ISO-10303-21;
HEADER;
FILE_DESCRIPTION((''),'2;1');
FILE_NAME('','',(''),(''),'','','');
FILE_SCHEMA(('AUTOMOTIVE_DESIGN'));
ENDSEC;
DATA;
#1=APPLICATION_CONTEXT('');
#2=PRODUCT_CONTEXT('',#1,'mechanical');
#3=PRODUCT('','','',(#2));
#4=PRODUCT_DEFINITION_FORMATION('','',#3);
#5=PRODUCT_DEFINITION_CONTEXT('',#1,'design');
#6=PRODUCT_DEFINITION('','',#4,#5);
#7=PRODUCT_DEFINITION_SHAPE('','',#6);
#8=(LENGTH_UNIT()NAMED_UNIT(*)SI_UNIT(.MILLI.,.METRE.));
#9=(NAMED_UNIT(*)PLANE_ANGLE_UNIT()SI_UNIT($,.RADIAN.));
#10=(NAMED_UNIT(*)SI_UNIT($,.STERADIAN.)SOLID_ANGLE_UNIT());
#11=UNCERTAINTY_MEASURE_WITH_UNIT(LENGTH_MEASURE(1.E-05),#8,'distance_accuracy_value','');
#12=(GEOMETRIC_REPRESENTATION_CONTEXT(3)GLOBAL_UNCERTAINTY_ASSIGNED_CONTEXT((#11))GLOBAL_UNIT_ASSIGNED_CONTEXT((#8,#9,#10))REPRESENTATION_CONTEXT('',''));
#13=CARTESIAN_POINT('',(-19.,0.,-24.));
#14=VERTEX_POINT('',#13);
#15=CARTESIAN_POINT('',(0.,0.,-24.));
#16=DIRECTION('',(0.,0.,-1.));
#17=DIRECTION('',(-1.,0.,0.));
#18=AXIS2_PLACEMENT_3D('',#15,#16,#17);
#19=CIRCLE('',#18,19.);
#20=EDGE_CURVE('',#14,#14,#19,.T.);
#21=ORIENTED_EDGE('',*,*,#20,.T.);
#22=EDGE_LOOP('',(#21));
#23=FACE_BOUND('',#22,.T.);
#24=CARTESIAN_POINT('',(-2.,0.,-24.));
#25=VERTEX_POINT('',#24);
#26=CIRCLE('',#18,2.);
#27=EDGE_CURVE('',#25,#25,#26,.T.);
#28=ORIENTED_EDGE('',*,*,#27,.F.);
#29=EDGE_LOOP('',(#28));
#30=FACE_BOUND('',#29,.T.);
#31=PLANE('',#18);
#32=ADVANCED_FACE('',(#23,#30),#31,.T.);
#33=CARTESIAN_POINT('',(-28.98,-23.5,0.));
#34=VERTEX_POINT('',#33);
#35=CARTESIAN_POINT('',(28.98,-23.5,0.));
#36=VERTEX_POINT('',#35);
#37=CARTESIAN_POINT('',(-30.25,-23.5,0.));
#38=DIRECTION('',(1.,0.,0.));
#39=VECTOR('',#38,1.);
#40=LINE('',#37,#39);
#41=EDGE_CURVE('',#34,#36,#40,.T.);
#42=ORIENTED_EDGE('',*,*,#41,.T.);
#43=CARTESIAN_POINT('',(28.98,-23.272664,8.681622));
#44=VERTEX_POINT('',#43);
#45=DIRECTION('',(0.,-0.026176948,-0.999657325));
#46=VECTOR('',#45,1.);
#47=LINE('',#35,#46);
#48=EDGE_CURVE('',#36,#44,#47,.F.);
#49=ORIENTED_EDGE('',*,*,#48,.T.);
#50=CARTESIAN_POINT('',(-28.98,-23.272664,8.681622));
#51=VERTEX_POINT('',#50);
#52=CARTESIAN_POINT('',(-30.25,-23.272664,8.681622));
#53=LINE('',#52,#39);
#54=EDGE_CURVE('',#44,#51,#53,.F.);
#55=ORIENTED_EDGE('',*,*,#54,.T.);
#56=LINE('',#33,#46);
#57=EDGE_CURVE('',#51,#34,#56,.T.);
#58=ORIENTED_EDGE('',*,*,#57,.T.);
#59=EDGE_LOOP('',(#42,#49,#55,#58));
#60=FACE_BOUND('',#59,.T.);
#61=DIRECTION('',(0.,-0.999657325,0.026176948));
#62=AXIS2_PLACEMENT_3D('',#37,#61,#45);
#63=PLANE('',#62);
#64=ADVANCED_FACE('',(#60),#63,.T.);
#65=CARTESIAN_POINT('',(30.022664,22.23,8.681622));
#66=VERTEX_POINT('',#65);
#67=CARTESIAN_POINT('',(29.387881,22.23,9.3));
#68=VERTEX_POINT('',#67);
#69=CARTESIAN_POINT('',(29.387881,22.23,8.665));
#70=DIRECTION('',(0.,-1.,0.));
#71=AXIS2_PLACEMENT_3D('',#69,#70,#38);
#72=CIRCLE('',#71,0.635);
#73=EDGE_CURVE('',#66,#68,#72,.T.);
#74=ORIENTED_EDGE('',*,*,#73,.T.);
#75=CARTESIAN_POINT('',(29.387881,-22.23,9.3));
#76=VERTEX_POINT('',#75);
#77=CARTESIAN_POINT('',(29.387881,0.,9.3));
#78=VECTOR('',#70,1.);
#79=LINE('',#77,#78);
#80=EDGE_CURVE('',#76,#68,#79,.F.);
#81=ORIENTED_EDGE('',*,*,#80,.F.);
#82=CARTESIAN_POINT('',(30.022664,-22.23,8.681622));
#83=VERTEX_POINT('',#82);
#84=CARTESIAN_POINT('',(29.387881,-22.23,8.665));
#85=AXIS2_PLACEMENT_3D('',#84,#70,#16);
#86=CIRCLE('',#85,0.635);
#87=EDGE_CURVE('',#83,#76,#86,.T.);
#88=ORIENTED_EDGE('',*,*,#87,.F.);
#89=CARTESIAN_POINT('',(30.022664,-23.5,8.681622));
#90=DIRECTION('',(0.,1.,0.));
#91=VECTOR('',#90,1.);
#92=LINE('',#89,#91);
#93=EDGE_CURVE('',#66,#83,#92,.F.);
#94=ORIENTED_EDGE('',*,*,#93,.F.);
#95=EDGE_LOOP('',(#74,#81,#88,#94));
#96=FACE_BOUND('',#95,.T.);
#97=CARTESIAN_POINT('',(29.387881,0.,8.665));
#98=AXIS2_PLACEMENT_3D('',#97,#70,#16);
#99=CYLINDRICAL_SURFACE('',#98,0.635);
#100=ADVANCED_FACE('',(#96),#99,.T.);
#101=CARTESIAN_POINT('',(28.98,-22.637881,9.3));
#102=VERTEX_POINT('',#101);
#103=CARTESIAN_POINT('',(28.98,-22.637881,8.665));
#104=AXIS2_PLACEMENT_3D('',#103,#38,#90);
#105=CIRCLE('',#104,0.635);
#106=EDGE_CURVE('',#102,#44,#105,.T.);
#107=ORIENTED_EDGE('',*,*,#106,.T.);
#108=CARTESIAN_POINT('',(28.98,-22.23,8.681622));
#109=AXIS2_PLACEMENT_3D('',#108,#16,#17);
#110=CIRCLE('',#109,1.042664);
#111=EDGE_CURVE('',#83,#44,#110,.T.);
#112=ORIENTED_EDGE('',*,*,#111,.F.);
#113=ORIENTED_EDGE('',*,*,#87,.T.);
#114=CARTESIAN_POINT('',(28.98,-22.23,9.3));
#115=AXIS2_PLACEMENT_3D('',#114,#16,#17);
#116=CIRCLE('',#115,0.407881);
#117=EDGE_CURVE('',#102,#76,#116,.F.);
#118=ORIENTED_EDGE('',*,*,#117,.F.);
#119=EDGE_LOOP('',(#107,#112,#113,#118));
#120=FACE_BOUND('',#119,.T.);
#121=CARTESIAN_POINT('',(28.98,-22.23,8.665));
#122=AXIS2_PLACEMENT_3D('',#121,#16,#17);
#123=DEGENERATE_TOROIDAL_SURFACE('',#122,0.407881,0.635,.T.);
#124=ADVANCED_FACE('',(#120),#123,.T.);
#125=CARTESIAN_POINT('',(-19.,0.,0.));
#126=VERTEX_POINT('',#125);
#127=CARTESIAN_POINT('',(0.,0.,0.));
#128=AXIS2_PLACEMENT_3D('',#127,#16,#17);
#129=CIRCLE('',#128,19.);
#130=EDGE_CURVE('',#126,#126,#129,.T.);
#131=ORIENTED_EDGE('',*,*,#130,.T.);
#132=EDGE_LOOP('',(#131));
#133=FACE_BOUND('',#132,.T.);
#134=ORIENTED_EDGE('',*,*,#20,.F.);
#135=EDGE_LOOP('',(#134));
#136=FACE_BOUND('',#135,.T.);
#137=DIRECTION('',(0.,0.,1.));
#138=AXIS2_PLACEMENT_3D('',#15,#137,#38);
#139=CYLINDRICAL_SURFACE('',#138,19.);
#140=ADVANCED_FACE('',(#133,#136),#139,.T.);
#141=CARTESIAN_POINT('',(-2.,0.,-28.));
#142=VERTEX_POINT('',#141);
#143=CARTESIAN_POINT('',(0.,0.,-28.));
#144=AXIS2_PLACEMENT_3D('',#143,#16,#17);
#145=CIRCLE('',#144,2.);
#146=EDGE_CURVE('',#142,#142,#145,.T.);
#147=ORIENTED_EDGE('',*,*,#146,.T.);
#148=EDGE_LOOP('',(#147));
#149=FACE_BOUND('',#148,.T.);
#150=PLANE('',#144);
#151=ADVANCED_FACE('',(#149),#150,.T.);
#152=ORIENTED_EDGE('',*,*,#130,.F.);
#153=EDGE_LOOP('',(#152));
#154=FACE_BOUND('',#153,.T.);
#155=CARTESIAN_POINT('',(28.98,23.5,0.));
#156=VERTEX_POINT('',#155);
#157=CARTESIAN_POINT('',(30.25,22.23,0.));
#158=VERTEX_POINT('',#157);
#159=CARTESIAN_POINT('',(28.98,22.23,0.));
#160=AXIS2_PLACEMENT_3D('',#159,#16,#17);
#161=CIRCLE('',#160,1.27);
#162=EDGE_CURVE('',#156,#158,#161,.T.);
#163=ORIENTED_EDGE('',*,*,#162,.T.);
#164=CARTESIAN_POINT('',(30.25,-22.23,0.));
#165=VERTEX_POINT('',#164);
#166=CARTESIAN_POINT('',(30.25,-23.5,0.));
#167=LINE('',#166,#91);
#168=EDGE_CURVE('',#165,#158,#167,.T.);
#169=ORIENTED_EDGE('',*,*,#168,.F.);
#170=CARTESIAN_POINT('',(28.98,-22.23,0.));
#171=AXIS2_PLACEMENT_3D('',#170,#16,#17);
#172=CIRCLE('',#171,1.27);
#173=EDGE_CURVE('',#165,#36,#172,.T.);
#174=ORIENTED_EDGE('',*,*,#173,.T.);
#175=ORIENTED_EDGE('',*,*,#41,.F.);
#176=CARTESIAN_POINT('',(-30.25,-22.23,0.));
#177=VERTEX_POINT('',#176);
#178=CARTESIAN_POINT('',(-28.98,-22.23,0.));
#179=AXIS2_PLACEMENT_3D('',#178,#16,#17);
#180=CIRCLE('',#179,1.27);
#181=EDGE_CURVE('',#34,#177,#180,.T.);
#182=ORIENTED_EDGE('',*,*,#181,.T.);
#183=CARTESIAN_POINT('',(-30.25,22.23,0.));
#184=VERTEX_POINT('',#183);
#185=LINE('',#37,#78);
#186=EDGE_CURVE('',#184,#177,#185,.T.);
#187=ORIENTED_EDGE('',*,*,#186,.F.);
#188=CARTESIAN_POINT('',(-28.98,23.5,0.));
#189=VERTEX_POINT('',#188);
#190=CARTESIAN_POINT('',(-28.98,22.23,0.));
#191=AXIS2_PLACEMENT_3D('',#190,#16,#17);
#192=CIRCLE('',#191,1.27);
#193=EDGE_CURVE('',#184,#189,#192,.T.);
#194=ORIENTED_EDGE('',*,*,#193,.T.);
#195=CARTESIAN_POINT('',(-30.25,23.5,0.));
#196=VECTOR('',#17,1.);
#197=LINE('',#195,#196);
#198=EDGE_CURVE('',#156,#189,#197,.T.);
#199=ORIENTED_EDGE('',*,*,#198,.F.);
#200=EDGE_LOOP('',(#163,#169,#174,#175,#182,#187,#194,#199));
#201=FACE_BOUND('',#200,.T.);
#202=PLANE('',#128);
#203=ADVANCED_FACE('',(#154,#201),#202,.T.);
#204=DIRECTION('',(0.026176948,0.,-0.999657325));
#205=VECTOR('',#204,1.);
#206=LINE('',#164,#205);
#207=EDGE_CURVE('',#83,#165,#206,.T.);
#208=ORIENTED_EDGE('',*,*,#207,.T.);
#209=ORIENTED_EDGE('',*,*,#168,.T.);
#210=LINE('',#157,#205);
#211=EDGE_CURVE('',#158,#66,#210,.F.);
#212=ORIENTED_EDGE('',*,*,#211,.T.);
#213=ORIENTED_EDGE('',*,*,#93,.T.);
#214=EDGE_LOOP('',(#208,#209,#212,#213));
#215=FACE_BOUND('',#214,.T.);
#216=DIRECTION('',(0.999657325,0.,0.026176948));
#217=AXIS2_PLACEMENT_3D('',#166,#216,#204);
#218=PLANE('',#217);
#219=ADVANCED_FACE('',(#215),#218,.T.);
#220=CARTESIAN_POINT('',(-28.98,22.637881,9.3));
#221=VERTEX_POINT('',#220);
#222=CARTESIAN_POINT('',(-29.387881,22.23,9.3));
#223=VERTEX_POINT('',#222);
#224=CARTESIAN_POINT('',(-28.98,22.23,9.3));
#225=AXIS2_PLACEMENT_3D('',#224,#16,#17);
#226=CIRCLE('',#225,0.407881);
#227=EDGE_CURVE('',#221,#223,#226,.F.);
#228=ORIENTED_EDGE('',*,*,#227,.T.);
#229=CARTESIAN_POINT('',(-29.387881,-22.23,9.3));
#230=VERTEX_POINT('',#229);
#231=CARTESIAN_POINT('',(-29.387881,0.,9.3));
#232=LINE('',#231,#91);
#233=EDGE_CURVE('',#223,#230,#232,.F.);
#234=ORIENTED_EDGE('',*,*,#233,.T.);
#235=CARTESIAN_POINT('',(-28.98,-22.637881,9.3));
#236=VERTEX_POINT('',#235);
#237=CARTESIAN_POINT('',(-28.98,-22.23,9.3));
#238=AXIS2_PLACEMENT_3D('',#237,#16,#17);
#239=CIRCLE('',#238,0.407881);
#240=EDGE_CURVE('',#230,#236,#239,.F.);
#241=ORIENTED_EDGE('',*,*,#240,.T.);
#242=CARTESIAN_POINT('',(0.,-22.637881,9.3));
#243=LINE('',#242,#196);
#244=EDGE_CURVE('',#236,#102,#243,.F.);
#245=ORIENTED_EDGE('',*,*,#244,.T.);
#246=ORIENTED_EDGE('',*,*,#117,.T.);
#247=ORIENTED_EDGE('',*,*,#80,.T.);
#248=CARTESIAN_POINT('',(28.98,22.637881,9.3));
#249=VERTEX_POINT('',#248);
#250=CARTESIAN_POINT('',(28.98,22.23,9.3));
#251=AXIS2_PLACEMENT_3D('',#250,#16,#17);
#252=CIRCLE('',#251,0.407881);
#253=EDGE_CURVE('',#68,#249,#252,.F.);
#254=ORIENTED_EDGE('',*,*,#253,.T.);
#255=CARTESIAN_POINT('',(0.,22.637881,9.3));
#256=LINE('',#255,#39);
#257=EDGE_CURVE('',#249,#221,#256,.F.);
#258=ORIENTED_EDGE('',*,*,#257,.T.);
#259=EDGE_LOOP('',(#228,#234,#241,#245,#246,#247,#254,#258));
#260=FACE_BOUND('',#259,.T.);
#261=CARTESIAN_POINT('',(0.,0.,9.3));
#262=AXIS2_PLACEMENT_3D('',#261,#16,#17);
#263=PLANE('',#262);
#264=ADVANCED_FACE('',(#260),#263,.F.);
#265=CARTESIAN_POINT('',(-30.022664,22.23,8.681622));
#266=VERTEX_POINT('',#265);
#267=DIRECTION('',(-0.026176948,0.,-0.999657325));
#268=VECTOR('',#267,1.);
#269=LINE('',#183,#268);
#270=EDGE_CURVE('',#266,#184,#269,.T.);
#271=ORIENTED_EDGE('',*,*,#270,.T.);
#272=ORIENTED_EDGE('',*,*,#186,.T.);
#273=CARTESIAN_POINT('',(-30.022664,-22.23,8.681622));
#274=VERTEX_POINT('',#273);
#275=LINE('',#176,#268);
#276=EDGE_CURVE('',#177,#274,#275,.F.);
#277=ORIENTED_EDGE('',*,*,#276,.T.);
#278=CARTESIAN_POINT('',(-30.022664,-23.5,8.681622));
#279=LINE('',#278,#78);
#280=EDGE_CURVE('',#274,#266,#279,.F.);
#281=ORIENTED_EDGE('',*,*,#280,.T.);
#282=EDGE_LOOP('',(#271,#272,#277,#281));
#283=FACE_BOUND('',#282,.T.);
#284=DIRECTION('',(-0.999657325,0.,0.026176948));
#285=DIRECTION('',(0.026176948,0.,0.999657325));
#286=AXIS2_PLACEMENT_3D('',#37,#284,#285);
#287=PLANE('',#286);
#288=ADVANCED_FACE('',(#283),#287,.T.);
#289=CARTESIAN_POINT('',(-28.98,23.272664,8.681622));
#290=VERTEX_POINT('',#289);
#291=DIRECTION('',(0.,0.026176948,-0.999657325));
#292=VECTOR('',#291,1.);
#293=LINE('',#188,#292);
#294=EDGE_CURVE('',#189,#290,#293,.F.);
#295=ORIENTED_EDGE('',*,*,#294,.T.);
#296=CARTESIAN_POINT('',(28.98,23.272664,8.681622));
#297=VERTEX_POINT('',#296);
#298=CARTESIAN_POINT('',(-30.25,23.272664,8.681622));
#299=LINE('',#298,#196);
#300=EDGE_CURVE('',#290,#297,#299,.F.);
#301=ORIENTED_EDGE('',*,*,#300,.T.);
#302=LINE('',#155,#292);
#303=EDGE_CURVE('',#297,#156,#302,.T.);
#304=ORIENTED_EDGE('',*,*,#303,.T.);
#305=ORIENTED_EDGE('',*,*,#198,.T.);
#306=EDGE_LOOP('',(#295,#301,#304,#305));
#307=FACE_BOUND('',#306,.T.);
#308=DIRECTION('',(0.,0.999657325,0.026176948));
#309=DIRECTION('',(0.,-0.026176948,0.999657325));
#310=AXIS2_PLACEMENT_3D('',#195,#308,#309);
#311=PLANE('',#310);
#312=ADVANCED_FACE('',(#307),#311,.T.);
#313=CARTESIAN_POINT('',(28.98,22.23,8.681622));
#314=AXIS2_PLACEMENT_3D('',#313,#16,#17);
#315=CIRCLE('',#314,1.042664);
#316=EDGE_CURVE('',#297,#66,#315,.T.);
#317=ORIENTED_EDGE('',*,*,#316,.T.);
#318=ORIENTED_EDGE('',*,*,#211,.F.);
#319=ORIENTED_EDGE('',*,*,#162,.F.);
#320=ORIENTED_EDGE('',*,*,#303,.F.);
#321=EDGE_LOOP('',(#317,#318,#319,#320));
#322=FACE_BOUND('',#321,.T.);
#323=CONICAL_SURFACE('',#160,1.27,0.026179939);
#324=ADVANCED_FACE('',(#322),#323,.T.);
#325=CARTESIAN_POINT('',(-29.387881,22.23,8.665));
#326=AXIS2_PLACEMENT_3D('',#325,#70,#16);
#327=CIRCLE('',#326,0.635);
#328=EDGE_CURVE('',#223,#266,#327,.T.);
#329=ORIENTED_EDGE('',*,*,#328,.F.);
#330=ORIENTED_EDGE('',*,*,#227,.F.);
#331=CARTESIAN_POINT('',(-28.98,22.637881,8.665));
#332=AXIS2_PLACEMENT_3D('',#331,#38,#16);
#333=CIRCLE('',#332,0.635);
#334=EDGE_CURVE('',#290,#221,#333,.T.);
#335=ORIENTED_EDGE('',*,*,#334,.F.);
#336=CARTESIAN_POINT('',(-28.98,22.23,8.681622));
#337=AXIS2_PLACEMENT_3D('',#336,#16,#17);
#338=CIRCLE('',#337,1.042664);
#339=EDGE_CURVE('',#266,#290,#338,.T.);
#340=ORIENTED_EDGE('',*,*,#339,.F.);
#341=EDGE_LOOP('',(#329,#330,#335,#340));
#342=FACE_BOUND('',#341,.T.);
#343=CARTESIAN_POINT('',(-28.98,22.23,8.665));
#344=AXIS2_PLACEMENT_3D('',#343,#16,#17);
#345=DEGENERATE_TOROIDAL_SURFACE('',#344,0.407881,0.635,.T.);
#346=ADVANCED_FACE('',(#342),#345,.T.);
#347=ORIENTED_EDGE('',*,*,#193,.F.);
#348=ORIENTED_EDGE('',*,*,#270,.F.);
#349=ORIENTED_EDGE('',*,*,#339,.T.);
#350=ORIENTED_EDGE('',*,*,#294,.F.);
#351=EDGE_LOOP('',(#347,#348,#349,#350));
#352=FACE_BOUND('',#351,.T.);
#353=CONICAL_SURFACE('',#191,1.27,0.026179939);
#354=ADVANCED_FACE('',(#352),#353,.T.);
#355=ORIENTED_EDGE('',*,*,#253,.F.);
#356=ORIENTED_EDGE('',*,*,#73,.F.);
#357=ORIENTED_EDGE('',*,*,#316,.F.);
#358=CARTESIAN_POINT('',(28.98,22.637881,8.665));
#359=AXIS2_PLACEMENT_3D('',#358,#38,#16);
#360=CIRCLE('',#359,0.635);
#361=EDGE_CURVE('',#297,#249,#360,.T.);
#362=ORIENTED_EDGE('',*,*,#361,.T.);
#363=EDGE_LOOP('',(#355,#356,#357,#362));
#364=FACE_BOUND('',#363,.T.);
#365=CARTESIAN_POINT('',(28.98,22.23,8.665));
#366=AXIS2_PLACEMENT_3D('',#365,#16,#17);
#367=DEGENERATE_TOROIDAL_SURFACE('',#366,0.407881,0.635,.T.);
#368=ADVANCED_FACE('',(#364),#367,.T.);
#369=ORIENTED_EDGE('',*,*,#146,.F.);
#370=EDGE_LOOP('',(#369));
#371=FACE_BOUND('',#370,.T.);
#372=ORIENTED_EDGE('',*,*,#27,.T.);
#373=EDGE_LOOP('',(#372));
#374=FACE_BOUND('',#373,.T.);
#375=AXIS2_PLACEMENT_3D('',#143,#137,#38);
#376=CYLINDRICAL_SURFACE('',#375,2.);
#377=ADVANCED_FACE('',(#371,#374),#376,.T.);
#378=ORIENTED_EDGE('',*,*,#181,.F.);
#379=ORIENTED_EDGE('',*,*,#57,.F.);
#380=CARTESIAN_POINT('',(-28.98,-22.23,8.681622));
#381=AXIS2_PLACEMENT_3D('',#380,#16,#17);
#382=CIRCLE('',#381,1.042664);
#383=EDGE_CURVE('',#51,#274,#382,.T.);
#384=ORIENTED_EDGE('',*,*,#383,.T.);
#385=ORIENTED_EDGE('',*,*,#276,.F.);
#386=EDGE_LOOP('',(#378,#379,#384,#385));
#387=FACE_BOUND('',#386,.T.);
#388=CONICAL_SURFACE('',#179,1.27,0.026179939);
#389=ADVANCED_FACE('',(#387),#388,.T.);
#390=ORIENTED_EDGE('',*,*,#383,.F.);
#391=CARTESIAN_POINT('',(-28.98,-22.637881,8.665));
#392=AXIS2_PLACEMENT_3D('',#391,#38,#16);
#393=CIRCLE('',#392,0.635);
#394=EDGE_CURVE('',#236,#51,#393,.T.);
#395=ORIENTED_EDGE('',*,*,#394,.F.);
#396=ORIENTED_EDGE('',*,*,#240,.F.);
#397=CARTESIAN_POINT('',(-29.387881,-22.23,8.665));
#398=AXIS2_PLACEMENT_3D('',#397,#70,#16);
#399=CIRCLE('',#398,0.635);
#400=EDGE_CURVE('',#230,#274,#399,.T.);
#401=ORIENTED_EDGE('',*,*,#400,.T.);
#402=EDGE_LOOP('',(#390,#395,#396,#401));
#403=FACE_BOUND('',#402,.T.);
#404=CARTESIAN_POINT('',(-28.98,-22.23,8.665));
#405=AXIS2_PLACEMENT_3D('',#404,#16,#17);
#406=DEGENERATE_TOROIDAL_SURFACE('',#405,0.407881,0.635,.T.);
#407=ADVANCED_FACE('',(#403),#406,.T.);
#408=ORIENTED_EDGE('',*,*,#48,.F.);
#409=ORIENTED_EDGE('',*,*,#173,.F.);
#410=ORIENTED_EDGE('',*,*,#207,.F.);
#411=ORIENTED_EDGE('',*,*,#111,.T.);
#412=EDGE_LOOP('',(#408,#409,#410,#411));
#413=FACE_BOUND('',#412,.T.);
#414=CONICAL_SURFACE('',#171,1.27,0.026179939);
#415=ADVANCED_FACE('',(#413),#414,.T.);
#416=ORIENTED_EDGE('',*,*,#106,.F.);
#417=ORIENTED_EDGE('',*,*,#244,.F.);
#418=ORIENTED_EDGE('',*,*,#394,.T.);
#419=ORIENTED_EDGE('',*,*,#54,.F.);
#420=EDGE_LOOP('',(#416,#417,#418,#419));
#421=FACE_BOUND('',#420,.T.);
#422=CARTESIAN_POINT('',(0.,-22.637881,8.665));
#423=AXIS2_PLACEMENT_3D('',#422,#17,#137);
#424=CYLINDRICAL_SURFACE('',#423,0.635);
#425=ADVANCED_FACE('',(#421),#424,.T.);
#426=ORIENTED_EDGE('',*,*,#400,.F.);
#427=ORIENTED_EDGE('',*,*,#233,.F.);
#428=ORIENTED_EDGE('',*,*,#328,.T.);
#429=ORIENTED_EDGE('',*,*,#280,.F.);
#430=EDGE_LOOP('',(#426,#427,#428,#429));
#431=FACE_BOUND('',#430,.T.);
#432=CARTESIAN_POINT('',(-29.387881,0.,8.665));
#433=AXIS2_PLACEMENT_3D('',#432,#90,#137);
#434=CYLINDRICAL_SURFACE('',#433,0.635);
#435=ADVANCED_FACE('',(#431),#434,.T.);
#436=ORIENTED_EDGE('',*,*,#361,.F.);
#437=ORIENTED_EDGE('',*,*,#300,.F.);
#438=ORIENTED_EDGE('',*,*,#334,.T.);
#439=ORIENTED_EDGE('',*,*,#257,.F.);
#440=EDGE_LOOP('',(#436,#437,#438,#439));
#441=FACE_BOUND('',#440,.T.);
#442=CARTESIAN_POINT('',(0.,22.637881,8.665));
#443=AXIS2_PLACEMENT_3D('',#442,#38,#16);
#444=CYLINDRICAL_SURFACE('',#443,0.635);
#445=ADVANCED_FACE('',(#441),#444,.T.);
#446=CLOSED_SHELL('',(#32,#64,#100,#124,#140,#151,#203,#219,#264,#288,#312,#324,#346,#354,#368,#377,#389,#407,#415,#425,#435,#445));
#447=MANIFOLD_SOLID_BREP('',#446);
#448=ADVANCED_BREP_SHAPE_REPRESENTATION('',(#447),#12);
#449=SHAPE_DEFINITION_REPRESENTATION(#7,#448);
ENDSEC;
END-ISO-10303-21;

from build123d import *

# Parameters (mm, degrees)
SKETCH1_W           = 60.5
SKETCH1_H           = 47
BOSS_EXTRUDE1_DEPTH = 9.3
FILLET1_R           = 1.27
DRAFT1_ANGLE        = -1.5
FILLET2_R           = 0.635
SKETCH3_R           = 19
BOSS_EXTRUDE2_DEPTH = 24
SKETCH4_R           = 2
BOSS_EXTRUDE3_DEPTH = 4


with BuildPart() as part:
    # Sketch1 → Boss-Extrude1 (new body)
    with BuildSketch(Plane.XY):
        Rectangle(SKETCH1_W, SKETCH1_H)
    extrude(amount=BOSS_EXTRUDE1_DEPTH)

    # Fillet1
    fillet1_edges = [part.edges().sort_by_distance(p)[0] for p in [
        (30.25, -23.5, 4.65),
        (-30.25, -23.5, 4.65),
        (-30.25, 23.5, 4.65),
        (30.25, 23.5, 4.65),
    ]]
    fillet(fillet1_edges, radius=FILLET1_R)

    # Draft1
    draft1_faces = [part.faces().sort_by_distance(p)[0] for p in [
        (-29.878025612, -23.128025612, 4.65),
        (0, -23.5, 4.65),
        (29.878025612, -23.128025612, 4.65),
        (30.25, 0, 4.65),
        (29.878025612, 23.128025612, 4.65),
        (0, 23.5, 4.65),
        (-30.25, 0, 4.65),
        (-29.878025612, 23.128025612, 4.65),
    ]]
    draft(draft1_faces, Plane(origin=(0, 0, 0), x_dir=(-1, 0, 0), z_dir=(0, 0, -1)), DRAFT1_ANGLE)

    # Fillet2
    fillet2_edges = [part.edges().sort_by_distance(p)[0] for p in [
        (0, -23.256470929, 9.3),
        (-30.006470929, 0, 9.3),
        (30.006470929, 0, 9.3),
        (0, 23.256470929, 9.3),
        (-29.705824555, 22.955824555, 9.3),
        (29.705824555, 22.955824555, 9.3),
        (29.705824555, -22.955824555, 9.3),
        (-29.705824555, -22.955824555, 9.3),
    ]]
    fillet(fillet2_edges, radius=FILLET2_R)

    # Sketch3 → Boss-Extrude2 (add)
    with BuildSketch(Plane(origin=(0, 0, 0), x_dir=(-1, 0, 0), z_dir=(0, 0, -1))):
        Circle(SKETCH3_R)
    extrude(amount=BOSS_EXTRUDE2_DEPTH)

    # Sketch4 → Boss-Extrude3 (add)
    with BuildSketch(Plane(origin=(0, 0, -24), x_dir=(-1, 0, 0), z_dir=(0, 0, -1))):
        Circle(SKETCH4_R)
    extrude(amount=BOSS_EXTRUDE3_DEPTH)


solid = part.part
